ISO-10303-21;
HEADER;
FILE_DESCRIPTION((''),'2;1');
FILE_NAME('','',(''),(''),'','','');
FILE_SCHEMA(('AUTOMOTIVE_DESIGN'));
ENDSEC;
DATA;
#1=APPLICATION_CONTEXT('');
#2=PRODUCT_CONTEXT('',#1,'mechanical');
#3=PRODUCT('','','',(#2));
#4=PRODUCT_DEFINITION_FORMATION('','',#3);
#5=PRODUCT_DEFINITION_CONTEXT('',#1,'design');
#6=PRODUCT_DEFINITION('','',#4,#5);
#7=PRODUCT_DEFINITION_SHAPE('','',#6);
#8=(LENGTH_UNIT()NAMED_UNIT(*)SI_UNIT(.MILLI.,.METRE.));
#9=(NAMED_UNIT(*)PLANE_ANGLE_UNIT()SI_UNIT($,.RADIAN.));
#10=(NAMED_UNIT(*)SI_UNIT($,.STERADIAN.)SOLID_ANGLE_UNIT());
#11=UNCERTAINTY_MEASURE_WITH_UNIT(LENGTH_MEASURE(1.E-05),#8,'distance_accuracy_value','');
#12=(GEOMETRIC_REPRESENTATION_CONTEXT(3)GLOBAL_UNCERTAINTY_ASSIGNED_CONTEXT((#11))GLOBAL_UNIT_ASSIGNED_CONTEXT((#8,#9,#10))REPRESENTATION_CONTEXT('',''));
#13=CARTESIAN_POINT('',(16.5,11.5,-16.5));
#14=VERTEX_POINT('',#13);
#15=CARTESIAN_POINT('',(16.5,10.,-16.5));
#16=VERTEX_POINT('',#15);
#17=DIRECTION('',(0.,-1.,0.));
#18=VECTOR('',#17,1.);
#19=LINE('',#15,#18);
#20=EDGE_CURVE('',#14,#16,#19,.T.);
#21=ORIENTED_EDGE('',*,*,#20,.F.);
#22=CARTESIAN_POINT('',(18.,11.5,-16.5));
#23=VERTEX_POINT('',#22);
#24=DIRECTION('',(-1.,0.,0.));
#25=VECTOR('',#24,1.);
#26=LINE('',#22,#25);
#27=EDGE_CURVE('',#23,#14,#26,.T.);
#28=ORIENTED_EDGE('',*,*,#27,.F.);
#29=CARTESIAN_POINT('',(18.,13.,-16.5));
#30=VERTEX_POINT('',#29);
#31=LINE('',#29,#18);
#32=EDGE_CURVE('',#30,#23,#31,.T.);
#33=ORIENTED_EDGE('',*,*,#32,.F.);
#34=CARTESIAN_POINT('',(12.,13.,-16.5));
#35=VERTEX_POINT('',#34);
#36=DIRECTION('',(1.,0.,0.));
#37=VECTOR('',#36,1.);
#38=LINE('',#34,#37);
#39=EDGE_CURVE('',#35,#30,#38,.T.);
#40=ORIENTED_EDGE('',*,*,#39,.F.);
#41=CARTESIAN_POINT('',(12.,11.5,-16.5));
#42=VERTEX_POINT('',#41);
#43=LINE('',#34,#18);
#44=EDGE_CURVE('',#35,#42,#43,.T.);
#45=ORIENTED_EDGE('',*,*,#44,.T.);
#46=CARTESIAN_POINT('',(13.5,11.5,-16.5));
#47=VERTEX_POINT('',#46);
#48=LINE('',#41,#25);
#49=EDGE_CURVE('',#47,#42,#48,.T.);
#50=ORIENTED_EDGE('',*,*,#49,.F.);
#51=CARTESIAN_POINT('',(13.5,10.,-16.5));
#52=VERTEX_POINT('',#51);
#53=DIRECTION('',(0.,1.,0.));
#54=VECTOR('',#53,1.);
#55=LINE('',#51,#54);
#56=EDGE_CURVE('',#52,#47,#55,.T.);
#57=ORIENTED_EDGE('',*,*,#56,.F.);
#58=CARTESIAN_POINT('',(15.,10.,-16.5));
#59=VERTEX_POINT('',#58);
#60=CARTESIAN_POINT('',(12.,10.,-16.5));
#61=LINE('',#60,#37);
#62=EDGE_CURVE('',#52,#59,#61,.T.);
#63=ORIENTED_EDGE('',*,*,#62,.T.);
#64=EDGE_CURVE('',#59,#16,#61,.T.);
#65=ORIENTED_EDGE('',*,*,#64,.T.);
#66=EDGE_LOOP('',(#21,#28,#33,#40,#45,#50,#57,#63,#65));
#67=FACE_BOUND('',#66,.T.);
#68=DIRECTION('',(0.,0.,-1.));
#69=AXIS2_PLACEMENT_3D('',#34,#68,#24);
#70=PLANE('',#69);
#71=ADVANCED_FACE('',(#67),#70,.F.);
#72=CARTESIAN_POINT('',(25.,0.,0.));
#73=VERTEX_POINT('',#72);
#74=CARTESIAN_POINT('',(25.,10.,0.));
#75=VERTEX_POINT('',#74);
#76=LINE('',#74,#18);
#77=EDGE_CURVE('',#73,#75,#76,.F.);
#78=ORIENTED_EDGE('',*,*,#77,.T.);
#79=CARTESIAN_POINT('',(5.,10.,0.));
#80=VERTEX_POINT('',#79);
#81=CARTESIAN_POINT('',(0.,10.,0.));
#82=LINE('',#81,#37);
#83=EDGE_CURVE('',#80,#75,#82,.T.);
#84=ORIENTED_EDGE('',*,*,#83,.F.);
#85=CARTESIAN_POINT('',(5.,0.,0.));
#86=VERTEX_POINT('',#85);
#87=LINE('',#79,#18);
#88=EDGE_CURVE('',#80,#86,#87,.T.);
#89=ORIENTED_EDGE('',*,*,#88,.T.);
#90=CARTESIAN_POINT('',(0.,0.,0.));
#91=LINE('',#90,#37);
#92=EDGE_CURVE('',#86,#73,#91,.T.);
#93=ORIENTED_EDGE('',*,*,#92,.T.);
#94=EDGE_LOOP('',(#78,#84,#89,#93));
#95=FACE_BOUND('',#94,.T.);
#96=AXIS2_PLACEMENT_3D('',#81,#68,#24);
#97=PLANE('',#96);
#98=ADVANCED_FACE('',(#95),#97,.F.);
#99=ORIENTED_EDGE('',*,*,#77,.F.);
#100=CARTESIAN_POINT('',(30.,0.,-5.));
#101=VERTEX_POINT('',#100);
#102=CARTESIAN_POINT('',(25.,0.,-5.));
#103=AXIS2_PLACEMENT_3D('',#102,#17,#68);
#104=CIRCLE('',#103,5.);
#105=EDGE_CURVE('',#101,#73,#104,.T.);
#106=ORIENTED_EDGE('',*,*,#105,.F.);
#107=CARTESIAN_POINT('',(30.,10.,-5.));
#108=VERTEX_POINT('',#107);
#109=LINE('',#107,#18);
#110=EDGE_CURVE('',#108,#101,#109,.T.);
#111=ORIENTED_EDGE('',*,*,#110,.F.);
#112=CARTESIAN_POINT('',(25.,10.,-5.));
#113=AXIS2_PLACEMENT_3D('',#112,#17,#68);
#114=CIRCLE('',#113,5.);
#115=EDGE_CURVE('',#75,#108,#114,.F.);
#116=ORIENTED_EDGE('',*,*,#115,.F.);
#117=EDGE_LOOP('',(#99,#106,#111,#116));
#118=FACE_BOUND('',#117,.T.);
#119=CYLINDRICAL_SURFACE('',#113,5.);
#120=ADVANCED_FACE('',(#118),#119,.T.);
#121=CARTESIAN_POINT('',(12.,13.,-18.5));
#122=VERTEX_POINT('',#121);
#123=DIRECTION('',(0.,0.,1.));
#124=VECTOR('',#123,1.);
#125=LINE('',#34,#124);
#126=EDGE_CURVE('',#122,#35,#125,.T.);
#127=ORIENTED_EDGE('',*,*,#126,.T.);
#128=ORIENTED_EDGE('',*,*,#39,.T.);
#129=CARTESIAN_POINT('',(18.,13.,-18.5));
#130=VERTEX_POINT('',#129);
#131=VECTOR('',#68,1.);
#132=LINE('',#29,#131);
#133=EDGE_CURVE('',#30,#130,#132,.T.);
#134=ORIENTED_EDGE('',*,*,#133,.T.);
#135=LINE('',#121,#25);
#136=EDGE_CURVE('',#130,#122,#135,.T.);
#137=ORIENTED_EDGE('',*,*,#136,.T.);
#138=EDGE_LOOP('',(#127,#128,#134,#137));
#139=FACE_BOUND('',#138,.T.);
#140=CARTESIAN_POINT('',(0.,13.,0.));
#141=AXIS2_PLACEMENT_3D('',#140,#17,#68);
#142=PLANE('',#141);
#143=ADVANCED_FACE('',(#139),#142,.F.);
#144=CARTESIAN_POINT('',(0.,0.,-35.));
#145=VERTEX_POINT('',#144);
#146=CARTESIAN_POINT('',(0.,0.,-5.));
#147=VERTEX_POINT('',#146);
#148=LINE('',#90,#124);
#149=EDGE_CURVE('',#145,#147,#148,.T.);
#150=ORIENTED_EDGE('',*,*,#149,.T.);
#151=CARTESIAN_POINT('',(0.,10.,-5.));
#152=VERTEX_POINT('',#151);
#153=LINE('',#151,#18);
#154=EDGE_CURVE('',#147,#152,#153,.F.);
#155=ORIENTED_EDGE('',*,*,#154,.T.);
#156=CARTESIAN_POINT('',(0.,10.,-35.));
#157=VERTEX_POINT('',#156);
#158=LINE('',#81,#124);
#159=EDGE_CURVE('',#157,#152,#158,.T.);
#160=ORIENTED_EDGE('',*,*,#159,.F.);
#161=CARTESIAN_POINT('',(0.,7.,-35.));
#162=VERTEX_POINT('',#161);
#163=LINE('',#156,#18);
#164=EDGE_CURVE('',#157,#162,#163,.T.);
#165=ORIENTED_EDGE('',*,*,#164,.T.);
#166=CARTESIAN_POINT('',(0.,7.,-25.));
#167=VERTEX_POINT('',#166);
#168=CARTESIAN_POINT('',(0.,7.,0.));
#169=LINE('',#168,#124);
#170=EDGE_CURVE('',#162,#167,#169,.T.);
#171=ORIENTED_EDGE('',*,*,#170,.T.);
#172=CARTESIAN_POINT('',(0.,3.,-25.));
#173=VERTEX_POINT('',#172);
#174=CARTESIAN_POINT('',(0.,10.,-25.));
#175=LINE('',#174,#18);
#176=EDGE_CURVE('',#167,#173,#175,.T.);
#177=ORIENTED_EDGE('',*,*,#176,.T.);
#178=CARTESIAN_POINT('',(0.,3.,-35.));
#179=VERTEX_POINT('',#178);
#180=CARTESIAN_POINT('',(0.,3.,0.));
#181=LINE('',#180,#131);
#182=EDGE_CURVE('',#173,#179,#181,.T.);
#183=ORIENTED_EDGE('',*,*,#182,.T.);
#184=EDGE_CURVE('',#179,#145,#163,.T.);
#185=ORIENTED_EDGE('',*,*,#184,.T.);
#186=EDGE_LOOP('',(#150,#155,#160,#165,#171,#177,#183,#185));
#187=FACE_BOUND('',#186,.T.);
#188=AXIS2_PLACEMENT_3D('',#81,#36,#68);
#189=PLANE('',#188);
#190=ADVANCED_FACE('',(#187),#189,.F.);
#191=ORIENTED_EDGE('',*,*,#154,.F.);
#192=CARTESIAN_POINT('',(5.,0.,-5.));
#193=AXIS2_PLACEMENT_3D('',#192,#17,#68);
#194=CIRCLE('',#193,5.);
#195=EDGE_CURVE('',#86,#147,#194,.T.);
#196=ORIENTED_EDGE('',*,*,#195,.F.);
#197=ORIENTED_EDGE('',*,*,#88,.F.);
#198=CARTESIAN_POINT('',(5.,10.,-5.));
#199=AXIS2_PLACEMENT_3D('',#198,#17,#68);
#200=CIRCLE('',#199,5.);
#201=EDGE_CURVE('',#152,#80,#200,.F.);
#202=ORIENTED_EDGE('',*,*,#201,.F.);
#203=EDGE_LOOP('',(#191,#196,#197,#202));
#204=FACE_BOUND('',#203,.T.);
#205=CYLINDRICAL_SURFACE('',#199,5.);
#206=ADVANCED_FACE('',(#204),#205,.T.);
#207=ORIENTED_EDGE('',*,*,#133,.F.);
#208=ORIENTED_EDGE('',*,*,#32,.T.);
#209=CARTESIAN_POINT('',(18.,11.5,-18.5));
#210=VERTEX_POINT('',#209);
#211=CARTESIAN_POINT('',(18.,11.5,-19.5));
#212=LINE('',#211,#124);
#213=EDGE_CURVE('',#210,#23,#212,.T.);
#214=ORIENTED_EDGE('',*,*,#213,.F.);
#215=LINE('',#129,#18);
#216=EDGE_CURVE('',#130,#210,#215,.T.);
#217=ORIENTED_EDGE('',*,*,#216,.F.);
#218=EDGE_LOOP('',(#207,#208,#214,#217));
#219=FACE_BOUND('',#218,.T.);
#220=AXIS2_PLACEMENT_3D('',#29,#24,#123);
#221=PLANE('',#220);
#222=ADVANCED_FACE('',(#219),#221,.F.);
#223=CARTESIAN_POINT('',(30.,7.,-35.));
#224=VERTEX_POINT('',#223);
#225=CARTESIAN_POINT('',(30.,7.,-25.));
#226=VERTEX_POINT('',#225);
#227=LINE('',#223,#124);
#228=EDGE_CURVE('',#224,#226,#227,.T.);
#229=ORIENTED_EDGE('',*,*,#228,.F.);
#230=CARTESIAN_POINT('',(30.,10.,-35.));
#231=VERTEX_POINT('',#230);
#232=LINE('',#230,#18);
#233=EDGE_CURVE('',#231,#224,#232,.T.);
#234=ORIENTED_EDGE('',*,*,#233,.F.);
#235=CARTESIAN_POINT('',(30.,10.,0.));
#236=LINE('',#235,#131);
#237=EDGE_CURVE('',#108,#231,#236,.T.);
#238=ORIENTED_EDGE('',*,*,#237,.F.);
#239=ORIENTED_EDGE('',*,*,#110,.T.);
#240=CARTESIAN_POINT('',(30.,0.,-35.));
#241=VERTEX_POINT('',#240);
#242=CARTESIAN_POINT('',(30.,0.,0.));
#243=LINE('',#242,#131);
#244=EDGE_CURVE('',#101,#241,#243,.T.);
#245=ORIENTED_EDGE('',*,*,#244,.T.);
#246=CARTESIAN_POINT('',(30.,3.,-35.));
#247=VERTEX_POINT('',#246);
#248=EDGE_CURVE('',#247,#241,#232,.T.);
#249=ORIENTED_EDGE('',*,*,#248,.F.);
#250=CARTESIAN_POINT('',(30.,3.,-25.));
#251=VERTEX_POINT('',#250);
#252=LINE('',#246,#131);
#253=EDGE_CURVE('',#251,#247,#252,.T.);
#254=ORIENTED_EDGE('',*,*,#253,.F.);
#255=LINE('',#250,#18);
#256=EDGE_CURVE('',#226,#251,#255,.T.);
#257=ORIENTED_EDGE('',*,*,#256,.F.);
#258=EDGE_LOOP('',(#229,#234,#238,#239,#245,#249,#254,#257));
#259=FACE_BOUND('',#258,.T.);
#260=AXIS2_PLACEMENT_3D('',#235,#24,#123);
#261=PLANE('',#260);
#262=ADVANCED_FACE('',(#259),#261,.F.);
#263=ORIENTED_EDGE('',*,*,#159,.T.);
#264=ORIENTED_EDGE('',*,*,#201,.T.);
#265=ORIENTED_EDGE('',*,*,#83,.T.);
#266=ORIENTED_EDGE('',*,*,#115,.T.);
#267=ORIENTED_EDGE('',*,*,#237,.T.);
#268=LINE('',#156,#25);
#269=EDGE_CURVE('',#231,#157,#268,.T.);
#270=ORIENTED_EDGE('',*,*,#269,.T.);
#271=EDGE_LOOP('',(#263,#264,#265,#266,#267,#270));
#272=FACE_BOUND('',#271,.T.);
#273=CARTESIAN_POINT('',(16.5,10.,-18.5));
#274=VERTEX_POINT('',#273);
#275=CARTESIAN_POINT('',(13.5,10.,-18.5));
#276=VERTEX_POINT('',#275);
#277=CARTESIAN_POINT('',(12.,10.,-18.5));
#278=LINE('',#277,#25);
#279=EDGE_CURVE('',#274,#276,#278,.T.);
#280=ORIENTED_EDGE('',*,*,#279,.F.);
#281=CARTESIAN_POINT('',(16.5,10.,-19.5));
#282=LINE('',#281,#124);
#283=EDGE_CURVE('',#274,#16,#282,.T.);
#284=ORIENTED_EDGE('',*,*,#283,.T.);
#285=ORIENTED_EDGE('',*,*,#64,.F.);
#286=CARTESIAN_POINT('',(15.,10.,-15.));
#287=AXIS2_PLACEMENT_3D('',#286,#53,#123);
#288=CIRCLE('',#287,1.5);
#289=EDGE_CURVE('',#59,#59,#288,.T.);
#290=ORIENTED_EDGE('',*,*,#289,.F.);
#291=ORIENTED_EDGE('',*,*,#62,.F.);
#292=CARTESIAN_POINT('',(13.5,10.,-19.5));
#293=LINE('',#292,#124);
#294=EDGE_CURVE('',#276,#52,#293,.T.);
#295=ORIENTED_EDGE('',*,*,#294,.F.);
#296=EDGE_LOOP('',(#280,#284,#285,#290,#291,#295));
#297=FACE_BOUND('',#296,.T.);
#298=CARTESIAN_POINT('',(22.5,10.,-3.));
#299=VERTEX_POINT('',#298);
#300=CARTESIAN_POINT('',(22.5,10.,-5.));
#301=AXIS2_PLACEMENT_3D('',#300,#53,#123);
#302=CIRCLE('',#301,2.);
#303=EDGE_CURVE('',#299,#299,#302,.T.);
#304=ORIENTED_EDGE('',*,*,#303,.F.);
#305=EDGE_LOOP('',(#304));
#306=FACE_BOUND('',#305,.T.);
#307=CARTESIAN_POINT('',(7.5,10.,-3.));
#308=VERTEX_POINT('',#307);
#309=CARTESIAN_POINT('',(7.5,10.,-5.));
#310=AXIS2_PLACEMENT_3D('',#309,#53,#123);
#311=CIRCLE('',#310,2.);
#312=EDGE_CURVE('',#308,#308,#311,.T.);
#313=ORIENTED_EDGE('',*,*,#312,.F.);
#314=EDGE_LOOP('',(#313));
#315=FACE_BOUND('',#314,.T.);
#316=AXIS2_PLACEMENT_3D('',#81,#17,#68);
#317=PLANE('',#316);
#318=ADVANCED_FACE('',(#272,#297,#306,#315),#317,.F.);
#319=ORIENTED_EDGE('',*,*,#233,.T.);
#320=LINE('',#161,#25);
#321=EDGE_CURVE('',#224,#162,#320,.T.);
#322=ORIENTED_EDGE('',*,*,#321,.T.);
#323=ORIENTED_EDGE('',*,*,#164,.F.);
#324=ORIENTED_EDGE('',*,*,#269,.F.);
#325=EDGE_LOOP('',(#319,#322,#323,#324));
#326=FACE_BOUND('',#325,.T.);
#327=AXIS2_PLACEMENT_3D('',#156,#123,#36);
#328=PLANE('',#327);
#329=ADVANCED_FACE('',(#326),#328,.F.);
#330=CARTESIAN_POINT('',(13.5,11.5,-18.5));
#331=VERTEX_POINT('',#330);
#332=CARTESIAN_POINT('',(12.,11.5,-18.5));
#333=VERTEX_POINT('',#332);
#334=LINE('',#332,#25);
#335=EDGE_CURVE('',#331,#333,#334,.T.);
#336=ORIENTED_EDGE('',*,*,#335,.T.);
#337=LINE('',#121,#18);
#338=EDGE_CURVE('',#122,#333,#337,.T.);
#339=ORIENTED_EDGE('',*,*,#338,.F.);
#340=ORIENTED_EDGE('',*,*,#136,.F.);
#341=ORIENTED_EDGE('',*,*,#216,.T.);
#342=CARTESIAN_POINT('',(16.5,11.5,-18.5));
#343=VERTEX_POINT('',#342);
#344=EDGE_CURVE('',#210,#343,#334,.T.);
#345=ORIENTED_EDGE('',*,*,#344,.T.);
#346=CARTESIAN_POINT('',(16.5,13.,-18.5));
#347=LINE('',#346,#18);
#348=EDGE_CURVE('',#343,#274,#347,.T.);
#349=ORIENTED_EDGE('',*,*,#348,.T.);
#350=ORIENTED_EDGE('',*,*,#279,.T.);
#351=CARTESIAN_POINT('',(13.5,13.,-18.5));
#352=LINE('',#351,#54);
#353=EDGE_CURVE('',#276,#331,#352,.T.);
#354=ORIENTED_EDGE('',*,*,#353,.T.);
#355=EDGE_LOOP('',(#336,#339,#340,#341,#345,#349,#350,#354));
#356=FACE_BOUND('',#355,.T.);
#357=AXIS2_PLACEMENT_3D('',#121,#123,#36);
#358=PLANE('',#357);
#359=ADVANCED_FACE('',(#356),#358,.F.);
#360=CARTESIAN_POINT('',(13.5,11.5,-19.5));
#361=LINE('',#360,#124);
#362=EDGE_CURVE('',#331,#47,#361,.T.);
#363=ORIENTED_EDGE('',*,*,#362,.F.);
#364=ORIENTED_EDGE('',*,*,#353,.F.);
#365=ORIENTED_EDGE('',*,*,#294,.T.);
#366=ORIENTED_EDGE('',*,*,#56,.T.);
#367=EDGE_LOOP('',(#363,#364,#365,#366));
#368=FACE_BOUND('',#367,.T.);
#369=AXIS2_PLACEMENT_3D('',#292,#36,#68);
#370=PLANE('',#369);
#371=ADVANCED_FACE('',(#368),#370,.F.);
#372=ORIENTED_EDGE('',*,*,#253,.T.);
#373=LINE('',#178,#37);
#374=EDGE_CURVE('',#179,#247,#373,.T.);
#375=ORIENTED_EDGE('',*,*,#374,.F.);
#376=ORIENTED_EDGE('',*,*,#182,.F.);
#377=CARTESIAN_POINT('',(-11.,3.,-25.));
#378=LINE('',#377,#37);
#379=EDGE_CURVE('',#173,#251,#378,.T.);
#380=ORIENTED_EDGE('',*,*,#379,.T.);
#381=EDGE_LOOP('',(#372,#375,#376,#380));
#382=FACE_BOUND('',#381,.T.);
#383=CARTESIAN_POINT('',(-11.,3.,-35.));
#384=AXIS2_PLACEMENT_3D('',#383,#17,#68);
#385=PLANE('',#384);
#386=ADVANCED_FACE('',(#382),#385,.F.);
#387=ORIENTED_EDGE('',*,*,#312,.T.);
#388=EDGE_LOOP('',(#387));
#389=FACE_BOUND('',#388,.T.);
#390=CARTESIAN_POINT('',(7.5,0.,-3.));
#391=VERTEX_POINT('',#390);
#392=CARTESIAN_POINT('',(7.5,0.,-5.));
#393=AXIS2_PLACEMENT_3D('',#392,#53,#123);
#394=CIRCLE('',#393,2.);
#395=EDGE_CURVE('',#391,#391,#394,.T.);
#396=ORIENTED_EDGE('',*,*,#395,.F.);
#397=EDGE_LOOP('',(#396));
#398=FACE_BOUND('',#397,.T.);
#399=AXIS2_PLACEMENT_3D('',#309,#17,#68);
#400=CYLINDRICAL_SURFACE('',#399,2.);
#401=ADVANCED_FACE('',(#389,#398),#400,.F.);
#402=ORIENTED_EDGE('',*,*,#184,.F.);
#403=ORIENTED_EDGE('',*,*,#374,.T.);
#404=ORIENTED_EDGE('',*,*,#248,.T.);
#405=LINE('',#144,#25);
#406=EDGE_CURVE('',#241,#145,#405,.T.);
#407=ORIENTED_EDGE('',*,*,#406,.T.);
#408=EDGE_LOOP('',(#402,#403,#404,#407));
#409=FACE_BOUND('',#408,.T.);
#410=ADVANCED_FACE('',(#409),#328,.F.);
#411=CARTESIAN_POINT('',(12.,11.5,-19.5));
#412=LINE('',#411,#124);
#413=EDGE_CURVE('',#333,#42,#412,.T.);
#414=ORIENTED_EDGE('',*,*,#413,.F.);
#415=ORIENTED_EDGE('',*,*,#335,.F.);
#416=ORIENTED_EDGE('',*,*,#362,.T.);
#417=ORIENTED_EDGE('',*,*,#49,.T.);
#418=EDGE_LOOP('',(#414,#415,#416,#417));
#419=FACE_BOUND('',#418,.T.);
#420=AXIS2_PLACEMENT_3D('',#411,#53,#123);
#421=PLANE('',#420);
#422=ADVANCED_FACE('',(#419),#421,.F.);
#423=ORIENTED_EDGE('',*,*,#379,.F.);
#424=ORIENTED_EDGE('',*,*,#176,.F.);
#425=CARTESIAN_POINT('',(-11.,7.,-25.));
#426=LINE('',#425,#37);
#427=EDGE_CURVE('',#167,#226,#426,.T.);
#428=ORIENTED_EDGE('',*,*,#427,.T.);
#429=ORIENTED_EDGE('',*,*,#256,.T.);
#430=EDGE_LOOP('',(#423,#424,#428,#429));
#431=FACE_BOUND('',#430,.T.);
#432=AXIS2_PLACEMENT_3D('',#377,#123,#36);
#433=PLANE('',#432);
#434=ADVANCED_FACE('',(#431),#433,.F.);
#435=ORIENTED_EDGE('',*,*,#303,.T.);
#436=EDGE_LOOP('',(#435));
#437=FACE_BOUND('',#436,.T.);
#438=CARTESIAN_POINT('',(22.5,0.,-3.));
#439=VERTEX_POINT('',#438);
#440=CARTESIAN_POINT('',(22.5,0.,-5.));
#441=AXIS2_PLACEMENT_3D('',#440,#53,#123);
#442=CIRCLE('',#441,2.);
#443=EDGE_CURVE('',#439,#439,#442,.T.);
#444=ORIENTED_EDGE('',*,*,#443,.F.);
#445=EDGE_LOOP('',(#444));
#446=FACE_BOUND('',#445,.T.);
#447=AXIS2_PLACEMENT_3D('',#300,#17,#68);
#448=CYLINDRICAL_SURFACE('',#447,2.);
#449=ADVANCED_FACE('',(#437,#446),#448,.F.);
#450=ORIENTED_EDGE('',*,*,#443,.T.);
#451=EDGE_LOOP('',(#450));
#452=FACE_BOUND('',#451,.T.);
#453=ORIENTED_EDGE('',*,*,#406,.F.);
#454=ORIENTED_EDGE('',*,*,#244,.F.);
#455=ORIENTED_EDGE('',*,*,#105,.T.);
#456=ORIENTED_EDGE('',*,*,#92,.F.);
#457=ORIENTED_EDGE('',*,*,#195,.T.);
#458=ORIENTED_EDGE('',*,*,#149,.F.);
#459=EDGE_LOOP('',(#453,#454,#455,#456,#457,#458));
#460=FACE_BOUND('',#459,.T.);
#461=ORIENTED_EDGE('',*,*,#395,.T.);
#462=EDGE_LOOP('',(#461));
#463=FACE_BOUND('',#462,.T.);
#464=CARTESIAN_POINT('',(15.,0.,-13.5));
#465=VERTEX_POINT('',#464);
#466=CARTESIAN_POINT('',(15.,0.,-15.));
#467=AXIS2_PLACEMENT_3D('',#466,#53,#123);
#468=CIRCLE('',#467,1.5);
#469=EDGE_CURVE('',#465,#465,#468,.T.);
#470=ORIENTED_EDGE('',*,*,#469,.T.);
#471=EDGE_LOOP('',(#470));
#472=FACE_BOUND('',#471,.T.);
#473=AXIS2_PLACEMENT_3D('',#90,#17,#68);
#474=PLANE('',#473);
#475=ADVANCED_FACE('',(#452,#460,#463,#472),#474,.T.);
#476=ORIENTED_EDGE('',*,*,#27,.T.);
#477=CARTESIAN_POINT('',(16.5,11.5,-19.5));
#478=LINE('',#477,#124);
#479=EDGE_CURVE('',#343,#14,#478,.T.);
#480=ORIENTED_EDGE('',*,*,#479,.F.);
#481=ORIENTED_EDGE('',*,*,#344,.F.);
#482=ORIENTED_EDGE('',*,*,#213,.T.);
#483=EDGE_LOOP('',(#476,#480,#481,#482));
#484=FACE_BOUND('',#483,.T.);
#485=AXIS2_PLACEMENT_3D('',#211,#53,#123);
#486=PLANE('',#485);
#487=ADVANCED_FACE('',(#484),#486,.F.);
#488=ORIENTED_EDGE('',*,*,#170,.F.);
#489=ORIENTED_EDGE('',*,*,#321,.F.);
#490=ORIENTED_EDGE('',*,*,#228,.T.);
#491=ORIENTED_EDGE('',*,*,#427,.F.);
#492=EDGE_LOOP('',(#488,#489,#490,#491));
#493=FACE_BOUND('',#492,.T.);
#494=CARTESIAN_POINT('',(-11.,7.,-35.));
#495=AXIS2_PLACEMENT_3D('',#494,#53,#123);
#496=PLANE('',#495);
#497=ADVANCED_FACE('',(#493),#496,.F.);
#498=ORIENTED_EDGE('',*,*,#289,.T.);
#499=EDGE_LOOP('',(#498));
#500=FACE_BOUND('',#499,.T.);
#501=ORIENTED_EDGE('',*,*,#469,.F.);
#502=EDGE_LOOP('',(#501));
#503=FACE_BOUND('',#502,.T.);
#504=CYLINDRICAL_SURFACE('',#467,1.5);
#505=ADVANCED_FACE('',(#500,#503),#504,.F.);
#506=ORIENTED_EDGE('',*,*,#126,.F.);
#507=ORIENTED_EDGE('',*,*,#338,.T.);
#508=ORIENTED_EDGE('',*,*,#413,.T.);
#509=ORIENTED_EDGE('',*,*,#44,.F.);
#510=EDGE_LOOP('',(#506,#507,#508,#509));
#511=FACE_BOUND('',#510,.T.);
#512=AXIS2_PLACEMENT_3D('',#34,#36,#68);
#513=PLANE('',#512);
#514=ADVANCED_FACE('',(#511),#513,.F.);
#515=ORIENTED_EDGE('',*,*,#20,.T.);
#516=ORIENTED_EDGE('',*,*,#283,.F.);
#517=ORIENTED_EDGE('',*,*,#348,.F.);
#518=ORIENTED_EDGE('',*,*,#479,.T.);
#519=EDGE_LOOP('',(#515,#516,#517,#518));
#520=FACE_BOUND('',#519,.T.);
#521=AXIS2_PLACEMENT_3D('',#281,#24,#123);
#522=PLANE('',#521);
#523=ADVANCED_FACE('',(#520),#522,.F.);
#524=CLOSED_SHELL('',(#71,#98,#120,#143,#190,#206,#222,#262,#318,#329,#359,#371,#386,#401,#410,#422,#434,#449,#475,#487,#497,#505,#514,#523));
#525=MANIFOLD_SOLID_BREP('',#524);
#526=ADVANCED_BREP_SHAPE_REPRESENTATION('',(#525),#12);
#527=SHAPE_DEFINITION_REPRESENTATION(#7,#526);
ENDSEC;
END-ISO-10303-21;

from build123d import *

# Parameters (mm, degrees)
CROQUIS1_W              = 30
CROQUIS1_H              = 35
CROQUIS1_R              = 2
SALIENTE_EXTRUIR1_DEPTH = 10
CROQUIS2_W              = 10
CROQUIS2_H              = 4
CORTAR_EXTRUIR1_DEPTH   = 41
REDONDEO1_R             = 5
CROQUIS3_R              = 1.5
CORTAR_EXTRUIR2_DEPTH   = 10
CROQUIS4_W              = 6
CROQUIS4_H              = 2
SALIENTE_EXTRUIR2_DEPTH = 3
CROQUIS5_W              = 1.5
CROQUIS5_H              = 1.5
CORTAR_EXTRUIR3_DEPTH   = 3


with BuildPart() as part:
    # Croquis1 → Saliente-Extruir1 (new body)
    with BuildSketch(Plane(origin=(0, 0, 0), x_dir=(1, 0, 0), z_dir=(0, 1, 0))):
        with Locations((15, 17.5)):
            Rectangle(CROQUIS1_W, CROQUIS1_H)
        with Locations(Location((7.5, 5, 0), (0, 0, 270))):
            Circle(CROQUIS1_R, mode=Mode.SUBTRACT)
        with Locations(Location((22.5, 5, 0), (0, 0, 270))):
            Circle(CROQUIS1_R, mode=Mode.SUBTRACT)
    extrude(amount=SALIENTE_EXTRUIR1_DEPTH)

    # Croquis2 → Cortar-Extruir1 (cut)
    with BuildSketch(Plane(origin=(30, 0, 0), x_dir=(0, 0, -1), z_dir=(1, 0, 0))):
        with Locations((30, 5)):
            Rectangle(CROQUIS2_W, CROQUIS2_H)
    extrude(amount=-CORTAR_EXTRUIR1_DEPTH, mode=Mode.SUBTRACT)

    # Redondeo1
    redondeo1_edges = [part.edges().sort_by_distance(p)[0] for p in [
        (30, 5, 0),
        (0, 5, 0),
    ]]
    fillet(redondeo1_edges, radius=REDONDEO1_R)

    # Croquis3 → Cortar-Extruir2 (cut)
    with BuildSketch(Plane(origin=(0, 10, 0), x_dir=(1, 0, 0), z_dir=(0, 1, 0))):
        with Locations(Location((15, 15, 0), (0, 0, 270))):
            Circle(CROQUIS3_R)
    extrude(amount=-CORTAR_EXTRUIR2_DEPTH, mode=Mode.SUBTRACT)

    # Croquis4 → Saliente-Extruir2 (add)
    with BuildSketch(Plane(origin=(0, 10, 0), x_dir=(1, 0, 0), z_dir=(0, 1, 0))):
        with Locations((15, 17.5)):
            Rectangle(CROQUIS4_W, CROQUIS4_H)
    extrude(amount=SALIENTE_EXTRUIR2_DEPTH)

    # Croquis5 → Cortar-Extruir3 (cut)
    with BuildSketch(Plane.XY.offset(-16.5)):
        with Locations((17.25, 10.75)):
            Rectangle(CROQUIS5_W, CROQUIS5_H)
        with Locations((12.75, 10.75)):
            Rectangle(CROQUIS5_W, CROQUIS5_H)
    extrude(amount=-CORTAR_EXTRUIR3_DEPTH, mode=Mode.SUBTRACT)


solid = part.part
